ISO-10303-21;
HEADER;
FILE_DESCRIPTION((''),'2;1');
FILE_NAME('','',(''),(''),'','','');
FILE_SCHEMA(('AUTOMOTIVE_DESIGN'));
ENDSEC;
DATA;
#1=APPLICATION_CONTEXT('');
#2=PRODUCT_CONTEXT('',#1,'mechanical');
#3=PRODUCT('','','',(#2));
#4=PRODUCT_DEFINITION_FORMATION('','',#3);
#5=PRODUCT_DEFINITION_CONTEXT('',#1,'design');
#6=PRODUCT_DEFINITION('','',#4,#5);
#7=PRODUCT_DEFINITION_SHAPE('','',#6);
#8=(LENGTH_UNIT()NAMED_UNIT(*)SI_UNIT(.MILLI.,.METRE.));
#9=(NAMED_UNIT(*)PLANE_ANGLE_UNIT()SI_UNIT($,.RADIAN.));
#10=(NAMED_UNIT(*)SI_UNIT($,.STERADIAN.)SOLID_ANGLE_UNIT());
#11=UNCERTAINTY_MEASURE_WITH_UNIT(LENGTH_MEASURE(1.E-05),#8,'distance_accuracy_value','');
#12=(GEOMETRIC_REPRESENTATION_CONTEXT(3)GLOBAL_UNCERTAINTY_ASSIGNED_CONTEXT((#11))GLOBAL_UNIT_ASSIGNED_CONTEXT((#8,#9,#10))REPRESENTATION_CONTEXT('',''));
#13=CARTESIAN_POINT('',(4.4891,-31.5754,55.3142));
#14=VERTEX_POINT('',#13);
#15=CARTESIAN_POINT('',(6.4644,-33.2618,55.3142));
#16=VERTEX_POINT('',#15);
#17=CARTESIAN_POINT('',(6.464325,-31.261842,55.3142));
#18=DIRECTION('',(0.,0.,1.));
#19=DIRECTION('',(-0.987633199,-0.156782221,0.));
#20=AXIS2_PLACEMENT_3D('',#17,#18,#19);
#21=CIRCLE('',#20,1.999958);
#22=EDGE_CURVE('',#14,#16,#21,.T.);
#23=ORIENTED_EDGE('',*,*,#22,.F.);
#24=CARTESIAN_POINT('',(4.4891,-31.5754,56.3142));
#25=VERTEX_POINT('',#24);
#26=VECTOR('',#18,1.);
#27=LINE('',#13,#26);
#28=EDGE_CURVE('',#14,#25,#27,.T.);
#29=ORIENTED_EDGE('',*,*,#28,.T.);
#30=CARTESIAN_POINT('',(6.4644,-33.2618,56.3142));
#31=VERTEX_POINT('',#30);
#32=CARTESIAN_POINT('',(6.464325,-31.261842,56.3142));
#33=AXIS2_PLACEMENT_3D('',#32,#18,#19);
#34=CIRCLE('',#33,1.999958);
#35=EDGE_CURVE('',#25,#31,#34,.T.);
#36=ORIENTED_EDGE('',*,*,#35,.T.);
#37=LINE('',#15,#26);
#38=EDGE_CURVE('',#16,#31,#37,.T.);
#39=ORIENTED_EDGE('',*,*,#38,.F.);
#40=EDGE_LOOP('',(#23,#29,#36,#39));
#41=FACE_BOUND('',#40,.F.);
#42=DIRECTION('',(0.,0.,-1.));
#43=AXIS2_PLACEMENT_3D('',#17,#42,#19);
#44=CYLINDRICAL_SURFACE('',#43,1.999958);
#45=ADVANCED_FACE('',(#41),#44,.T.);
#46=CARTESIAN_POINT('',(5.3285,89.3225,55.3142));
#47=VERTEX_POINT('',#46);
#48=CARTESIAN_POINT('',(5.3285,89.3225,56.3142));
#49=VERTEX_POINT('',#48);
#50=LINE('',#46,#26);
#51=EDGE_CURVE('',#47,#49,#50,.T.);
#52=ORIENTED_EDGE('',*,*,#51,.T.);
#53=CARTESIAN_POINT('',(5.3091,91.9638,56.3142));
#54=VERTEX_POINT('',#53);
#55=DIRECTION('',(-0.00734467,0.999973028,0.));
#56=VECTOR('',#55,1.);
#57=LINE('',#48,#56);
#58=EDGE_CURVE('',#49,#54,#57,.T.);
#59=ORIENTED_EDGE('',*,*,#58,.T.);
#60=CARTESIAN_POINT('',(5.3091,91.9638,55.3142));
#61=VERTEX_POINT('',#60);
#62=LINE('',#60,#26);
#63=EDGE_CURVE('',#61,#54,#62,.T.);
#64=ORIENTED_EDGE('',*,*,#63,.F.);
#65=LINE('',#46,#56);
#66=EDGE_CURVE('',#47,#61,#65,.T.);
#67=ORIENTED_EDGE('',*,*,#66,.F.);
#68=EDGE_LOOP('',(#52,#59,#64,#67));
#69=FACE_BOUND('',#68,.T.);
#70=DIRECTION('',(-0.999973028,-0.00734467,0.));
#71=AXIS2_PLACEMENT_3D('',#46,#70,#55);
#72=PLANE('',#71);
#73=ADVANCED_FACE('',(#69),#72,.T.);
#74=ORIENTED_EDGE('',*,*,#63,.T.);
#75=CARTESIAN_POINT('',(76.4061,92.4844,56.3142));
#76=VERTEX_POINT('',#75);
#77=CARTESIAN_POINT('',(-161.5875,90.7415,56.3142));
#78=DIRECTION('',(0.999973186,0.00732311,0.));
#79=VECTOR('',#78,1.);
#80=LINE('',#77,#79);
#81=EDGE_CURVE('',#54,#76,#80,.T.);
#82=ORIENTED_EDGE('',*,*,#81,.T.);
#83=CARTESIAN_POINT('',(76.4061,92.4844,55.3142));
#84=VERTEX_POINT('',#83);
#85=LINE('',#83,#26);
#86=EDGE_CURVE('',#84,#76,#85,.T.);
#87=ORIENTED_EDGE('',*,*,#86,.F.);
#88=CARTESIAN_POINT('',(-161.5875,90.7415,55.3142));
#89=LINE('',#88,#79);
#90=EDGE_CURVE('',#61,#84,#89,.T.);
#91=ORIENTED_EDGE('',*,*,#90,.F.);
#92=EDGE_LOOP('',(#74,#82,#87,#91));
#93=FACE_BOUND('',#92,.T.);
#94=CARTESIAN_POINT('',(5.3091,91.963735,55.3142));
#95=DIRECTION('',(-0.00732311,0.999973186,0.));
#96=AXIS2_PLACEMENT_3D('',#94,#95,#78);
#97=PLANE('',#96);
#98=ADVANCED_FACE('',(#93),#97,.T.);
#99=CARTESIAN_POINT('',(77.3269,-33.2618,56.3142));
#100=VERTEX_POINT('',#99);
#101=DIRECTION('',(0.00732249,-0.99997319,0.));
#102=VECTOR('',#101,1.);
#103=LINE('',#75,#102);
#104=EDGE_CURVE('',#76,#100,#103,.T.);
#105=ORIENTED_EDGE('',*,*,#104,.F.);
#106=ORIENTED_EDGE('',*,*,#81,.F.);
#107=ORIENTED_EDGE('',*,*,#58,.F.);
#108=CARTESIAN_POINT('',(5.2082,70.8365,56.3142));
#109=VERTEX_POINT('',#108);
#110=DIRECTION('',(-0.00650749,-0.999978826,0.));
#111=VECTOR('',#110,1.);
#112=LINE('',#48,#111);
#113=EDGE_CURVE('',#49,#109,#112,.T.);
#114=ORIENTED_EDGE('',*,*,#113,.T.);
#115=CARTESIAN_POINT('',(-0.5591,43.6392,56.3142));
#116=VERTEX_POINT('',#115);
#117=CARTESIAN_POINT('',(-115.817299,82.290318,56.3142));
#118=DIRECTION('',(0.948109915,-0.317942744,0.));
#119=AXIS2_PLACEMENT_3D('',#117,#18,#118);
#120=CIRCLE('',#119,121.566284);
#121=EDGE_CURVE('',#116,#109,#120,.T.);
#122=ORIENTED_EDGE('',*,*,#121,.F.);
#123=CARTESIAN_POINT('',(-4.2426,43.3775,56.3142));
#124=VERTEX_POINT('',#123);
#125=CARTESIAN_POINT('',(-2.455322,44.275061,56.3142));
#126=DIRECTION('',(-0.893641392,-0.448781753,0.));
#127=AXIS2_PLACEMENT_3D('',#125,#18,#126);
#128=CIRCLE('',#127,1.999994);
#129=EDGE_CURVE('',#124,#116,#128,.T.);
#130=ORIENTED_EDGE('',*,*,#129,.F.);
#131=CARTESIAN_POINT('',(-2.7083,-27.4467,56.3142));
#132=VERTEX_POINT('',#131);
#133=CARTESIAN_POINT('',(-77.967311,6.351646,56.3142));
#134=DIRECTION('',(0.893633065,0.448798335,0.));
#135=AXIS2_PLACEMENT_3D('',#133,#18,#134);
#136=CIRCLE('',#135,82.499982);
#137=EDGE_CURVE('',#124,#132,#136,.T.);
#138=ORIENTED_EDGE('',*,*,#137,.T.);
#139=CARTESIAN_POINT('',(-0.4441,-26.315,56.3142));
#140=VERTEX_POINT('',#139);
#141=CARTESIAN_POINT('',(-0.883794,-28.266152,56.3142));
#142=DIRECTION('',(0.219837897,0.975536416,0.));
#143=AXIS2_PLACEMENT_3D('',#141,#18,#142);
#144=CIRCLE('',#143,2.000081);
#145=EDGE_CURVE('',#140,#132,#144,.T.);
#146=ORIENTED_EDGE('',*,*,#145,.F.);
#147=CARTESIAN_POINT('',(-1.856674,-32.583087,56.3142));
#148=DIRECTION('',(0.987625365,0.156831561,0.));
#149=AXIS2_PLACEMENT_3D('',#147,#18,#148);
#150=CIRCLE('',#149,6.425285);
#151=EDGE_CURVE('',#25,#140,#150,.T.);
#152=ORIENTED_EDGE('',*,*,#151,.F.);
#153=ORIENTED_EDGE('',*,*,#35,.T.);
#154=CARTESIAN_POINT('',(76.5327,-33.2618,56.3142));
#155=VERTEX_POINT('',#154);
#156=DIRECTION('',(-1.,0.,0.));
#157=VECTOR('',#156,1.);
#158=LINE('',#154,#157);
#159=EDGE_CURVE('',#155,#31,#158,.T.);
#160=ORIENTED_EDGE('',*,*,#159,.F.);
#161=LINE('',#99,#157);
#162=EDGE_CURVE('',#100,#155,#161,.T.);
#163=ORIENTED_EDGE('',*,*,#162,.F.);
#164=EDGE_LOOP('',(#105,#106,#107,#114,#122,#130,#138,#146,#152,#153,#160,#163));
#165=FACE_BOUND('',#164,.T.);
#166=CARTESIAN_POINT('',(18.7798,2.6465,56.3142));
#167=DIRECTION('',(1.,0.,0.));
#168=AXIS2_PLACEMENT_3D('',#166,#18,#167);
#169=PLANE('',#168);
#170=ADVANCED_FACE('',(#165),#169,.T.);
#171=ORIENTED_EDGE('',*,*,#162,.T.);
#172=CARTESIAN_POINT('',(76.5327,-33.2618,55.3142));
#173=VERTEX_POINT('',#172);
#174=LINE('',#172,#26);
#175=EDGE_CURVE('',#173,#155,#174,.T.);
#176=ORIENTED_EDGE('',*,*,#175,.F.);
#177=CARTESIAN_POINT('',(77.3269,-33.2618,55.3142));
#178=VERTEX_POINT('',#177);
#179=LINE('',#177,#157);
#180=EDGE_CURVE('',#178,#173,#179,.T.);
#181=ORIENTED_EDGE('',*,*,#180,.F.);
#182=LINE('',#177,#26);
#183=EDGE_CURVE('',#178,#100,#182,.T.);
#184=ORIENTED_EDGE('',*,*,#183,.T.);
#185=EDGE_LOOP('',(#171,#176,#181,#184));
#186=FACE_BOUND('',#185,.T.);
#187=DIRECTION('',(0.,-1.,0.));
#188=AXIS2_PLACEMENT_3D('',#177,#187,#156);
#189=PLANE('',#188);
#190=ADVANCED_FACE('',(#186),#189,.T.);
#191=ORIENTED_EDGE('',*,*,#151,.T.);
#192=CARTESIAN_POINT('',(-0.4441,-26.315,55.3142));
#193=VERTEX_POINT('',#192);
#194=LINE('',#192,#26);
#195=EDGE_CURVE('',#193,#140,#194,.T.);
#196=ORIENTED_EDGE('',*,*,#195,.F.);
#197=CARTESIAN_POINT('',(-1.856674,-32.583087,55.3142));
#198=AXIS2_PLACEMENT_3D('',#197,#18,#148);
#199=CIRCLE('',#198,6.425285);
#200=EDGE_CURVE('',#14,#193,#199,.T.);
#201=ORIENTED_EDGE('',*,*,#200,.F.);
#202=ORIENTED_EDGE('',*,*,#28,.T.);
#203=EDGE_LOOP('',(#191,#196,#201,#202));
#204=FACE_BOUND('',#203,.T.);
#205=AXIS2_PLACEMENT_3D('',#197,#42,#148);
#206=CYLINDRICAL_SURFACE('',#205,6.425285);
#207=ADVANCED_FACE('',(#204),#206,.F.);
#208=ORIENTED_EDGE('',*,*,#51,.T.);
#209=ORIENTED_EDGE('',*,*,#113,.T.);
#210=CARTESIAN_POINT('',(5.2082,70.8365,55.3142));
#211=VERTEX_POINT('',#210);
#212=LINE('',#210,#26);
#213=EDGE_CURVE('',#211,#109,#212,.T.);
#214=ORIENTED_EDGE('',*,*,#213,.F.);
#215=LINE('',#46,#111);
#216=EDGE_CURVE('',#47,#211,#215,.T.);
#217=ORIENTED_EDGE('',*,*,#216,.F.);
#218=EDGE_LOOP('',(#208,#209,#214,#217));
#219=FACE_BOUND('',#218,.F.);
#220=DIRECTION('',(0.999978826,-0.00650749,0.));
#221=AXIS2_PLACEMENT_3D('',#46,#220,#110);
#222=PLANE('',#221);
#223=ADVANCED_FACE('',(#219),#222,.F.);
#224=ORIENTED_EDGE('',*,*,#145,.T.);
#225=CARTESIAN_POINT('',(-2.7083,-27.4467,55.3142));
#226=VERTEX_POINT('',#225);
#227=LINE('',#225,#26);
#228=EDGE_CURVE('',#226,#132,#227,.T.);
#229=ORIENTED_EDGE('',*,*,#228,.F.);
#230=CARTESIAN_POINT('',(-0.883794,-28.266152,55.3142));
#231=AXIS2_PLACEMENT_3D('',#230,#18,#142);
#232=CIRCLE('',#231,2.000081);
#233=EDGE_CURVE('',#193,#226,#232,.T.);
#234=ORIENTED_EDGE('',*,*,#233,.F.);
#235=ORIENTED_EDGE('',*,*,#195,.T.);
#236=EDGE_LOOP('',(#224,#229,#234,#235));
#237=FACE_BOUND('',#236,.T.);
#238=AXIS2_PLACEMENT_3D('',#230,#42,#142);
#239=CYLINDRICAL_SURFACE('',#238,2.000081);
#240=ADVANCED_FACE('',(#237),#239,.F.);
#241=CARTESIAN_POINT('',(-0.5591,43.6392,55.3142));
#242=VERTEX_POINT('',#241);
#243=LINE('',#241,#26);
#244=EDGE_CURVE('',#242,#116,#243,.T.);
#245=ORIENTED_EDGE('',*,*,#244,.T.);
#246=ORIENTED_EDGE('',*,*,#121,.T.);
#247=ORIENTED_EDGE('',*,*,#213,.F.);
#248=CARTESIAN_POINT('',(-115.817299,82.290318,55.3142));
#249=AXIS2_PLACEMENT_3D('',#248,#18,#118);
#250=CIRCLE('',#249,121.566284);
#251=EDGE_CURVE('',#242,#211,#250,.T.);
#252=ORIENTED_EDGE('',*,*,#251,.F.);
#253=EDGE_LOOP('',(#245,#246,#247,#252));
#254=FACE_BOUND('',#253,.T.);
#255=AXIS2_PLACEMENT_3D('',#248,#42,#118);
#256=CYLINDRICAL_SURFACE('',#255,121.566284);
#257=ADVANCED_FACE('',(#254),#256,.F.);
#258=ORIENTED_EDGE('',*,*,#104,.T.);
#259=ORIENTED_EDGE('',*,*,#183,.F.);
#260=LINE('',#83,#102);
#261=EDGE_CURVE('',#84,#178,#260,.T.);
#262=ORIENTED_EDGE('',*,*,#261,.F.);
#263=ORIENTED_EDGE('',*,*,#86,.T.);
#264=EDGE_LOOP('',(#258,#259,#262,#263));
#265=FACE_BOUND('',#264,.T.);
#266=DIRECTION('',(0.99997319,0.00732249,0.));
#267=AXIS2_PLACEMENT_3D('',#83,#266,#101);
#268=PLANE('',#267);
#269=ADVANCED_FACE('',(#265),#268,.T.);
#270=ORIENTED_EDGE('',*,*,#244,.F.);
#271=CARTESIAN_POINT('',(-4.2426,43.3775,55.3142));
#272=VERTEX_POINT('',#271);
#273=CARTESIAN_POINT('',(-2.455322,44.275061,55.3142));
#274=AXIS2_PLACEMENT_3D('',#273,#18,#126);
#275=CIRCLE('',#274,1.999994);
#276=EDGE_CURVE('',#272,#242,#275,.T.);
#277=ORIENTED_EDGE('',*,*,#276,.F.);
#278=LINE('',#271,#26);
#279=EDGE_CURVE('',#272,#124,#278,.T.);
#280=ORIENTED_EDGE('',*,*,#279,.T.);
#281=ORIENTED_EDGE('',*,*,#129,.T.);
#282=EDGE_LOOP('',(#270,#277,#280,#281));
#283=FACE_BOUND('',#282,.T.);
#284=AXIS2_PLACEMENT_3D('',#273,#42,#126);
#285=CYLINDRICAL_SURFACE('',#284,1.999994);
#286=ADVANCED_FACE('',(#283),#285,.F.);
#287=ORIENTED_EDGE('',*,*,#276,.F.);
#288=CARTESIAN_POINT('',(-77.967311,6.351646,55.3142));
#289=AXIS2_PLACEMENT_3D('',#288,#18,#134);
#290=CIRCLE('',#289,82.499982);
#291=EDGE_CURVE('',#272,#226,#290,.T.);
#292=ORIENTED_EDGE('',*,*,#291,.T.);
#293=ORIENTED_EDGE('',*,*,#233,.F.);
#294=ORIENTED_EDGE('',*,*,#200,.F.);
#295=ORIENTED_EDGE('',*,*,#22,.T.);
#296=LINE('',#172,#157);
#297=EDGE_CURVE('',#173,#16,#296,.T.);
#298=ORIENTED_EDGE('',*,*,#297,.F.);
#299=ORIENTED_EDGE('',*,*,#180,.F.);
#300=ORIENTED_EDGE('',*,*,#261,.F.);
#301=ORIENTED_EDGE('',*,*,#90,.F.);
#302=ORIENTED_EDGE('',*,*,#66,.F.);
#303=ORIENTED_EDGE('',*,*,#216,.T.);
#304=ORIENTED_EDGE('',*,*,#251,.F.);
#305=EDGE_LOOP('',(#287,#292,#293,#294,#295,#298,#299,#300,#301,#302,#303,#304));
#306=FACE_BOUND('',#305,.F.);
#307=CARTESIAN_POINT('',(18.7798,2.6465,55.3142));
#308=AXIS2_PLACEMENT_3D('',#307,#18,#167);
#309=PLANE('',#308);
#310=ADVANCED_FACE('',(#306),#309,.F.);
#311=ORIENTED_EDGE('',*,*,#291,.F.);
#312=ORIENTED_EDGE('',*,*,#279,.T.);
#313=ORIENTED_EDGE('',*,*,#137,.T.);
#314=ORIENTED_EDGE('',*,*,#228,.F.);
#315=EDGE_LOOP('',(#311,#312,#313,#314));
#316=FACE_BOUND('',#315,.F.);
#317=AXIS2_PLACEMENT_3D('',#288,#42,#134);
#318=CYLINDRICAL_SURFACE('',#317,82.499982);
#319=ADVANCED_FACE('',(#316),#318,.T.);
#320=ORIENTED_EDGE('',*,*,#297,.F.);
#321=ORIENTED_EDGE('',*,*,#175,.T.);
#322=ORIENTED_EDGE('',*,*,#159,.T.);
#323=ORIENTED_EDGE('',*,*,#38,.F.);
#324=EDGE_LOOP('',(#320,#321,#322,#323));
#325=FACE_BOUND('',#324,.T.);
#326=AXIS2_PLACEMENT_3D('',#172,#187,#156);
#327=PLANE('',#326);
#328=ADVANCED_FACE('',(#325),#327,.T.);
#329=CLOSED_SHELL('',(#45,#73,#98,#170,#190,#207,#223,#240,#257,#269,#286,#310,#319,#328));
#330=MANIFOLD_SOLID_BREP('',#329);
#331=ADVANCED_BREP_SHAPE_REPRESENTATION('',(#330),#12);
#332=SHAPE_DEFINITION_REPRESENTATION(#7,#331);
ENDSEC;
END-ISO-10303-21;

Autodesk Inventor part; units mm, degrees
ref_plane "YZ Plane" through (0, 0, 0) normal (1, 0, 0) x (0, 1, 0)
ref_plane "XZ Plane" through (0, 0, 0) normal (0, 1, 0) x (-1, 0, 0)
ref_plane "Arbeitsebene7" through (18.7798, 2.6465, 55.3142) normal (0, 0, 1) x (1, 0, 0)
sketch "Skizze6" plane through (18.7798, 2.6465, 55.3142) normal (0, 0, 1) x (1, 0, 0)
  arc A0 (-23.0224, 40.731) -> (-21.4881, -30.0932) centre (-96.7471, 3.7051) ccw
  line L0 (-13.4513, 86.676) -> (-13.5716, 68.19)
  line L1 (57.7529, -35.9083) -> (-12.3154, -35.9083)
  arc A1 (-19.3389, 40.9927) -> (-13.5716, 68.19) centre (-134.5985, 79.6442) ccw
  arc A2 (-14.2907, -34.2219) -> (-19.2239, -28.9615) centre (-20.6365, -35.2296) ccw
  arc A3 (-23.0224, 40.731) -> (-19.3389, 40.9927) centre (-21.2351, 41.6286) ccw
  arc A4 (-19.2239, -28.9615) -> (-21.4881, -30.0932) centre (-19.6636, -30.9126) ccw
  arc A5 (-14.2907, -34.2219) -> (-12.3154, -35.9083) centre (-12.3154, -33.9083) ccw
  line L2 (-180.3673, 88.095) -> (295.6199, 91.5808)
  line L3 (-13.4513, 86.676) -> (-13.4707, 89.3173)
  line L4 (-13.4707, 89.3173) -> (57.6263, 89.8379)
  line L5 (58.5471, -35.9083) -> (57.7529, -35.9083)
  line L6 (56.6011, 229.8342) -> (57.6263, 89.8379)
  line L7 (-13.4707, 89.3173) -> (57.6263, 89.8379)
  line L8 (57.6263, 89.8379) -> (58.5471, -35.9083)
  point P0 (-18.7798, -2.6465)
  point P1 (-97.992, 173.7006)
  dimension "d22" = 165
  dimension "d24" = 2
  dimension "d25" = 2
extrude "Extrusion6" add sketch "Skizze6" along normal blind 1
properties part number "Solarpanel" material "Siliziumnitrid"
